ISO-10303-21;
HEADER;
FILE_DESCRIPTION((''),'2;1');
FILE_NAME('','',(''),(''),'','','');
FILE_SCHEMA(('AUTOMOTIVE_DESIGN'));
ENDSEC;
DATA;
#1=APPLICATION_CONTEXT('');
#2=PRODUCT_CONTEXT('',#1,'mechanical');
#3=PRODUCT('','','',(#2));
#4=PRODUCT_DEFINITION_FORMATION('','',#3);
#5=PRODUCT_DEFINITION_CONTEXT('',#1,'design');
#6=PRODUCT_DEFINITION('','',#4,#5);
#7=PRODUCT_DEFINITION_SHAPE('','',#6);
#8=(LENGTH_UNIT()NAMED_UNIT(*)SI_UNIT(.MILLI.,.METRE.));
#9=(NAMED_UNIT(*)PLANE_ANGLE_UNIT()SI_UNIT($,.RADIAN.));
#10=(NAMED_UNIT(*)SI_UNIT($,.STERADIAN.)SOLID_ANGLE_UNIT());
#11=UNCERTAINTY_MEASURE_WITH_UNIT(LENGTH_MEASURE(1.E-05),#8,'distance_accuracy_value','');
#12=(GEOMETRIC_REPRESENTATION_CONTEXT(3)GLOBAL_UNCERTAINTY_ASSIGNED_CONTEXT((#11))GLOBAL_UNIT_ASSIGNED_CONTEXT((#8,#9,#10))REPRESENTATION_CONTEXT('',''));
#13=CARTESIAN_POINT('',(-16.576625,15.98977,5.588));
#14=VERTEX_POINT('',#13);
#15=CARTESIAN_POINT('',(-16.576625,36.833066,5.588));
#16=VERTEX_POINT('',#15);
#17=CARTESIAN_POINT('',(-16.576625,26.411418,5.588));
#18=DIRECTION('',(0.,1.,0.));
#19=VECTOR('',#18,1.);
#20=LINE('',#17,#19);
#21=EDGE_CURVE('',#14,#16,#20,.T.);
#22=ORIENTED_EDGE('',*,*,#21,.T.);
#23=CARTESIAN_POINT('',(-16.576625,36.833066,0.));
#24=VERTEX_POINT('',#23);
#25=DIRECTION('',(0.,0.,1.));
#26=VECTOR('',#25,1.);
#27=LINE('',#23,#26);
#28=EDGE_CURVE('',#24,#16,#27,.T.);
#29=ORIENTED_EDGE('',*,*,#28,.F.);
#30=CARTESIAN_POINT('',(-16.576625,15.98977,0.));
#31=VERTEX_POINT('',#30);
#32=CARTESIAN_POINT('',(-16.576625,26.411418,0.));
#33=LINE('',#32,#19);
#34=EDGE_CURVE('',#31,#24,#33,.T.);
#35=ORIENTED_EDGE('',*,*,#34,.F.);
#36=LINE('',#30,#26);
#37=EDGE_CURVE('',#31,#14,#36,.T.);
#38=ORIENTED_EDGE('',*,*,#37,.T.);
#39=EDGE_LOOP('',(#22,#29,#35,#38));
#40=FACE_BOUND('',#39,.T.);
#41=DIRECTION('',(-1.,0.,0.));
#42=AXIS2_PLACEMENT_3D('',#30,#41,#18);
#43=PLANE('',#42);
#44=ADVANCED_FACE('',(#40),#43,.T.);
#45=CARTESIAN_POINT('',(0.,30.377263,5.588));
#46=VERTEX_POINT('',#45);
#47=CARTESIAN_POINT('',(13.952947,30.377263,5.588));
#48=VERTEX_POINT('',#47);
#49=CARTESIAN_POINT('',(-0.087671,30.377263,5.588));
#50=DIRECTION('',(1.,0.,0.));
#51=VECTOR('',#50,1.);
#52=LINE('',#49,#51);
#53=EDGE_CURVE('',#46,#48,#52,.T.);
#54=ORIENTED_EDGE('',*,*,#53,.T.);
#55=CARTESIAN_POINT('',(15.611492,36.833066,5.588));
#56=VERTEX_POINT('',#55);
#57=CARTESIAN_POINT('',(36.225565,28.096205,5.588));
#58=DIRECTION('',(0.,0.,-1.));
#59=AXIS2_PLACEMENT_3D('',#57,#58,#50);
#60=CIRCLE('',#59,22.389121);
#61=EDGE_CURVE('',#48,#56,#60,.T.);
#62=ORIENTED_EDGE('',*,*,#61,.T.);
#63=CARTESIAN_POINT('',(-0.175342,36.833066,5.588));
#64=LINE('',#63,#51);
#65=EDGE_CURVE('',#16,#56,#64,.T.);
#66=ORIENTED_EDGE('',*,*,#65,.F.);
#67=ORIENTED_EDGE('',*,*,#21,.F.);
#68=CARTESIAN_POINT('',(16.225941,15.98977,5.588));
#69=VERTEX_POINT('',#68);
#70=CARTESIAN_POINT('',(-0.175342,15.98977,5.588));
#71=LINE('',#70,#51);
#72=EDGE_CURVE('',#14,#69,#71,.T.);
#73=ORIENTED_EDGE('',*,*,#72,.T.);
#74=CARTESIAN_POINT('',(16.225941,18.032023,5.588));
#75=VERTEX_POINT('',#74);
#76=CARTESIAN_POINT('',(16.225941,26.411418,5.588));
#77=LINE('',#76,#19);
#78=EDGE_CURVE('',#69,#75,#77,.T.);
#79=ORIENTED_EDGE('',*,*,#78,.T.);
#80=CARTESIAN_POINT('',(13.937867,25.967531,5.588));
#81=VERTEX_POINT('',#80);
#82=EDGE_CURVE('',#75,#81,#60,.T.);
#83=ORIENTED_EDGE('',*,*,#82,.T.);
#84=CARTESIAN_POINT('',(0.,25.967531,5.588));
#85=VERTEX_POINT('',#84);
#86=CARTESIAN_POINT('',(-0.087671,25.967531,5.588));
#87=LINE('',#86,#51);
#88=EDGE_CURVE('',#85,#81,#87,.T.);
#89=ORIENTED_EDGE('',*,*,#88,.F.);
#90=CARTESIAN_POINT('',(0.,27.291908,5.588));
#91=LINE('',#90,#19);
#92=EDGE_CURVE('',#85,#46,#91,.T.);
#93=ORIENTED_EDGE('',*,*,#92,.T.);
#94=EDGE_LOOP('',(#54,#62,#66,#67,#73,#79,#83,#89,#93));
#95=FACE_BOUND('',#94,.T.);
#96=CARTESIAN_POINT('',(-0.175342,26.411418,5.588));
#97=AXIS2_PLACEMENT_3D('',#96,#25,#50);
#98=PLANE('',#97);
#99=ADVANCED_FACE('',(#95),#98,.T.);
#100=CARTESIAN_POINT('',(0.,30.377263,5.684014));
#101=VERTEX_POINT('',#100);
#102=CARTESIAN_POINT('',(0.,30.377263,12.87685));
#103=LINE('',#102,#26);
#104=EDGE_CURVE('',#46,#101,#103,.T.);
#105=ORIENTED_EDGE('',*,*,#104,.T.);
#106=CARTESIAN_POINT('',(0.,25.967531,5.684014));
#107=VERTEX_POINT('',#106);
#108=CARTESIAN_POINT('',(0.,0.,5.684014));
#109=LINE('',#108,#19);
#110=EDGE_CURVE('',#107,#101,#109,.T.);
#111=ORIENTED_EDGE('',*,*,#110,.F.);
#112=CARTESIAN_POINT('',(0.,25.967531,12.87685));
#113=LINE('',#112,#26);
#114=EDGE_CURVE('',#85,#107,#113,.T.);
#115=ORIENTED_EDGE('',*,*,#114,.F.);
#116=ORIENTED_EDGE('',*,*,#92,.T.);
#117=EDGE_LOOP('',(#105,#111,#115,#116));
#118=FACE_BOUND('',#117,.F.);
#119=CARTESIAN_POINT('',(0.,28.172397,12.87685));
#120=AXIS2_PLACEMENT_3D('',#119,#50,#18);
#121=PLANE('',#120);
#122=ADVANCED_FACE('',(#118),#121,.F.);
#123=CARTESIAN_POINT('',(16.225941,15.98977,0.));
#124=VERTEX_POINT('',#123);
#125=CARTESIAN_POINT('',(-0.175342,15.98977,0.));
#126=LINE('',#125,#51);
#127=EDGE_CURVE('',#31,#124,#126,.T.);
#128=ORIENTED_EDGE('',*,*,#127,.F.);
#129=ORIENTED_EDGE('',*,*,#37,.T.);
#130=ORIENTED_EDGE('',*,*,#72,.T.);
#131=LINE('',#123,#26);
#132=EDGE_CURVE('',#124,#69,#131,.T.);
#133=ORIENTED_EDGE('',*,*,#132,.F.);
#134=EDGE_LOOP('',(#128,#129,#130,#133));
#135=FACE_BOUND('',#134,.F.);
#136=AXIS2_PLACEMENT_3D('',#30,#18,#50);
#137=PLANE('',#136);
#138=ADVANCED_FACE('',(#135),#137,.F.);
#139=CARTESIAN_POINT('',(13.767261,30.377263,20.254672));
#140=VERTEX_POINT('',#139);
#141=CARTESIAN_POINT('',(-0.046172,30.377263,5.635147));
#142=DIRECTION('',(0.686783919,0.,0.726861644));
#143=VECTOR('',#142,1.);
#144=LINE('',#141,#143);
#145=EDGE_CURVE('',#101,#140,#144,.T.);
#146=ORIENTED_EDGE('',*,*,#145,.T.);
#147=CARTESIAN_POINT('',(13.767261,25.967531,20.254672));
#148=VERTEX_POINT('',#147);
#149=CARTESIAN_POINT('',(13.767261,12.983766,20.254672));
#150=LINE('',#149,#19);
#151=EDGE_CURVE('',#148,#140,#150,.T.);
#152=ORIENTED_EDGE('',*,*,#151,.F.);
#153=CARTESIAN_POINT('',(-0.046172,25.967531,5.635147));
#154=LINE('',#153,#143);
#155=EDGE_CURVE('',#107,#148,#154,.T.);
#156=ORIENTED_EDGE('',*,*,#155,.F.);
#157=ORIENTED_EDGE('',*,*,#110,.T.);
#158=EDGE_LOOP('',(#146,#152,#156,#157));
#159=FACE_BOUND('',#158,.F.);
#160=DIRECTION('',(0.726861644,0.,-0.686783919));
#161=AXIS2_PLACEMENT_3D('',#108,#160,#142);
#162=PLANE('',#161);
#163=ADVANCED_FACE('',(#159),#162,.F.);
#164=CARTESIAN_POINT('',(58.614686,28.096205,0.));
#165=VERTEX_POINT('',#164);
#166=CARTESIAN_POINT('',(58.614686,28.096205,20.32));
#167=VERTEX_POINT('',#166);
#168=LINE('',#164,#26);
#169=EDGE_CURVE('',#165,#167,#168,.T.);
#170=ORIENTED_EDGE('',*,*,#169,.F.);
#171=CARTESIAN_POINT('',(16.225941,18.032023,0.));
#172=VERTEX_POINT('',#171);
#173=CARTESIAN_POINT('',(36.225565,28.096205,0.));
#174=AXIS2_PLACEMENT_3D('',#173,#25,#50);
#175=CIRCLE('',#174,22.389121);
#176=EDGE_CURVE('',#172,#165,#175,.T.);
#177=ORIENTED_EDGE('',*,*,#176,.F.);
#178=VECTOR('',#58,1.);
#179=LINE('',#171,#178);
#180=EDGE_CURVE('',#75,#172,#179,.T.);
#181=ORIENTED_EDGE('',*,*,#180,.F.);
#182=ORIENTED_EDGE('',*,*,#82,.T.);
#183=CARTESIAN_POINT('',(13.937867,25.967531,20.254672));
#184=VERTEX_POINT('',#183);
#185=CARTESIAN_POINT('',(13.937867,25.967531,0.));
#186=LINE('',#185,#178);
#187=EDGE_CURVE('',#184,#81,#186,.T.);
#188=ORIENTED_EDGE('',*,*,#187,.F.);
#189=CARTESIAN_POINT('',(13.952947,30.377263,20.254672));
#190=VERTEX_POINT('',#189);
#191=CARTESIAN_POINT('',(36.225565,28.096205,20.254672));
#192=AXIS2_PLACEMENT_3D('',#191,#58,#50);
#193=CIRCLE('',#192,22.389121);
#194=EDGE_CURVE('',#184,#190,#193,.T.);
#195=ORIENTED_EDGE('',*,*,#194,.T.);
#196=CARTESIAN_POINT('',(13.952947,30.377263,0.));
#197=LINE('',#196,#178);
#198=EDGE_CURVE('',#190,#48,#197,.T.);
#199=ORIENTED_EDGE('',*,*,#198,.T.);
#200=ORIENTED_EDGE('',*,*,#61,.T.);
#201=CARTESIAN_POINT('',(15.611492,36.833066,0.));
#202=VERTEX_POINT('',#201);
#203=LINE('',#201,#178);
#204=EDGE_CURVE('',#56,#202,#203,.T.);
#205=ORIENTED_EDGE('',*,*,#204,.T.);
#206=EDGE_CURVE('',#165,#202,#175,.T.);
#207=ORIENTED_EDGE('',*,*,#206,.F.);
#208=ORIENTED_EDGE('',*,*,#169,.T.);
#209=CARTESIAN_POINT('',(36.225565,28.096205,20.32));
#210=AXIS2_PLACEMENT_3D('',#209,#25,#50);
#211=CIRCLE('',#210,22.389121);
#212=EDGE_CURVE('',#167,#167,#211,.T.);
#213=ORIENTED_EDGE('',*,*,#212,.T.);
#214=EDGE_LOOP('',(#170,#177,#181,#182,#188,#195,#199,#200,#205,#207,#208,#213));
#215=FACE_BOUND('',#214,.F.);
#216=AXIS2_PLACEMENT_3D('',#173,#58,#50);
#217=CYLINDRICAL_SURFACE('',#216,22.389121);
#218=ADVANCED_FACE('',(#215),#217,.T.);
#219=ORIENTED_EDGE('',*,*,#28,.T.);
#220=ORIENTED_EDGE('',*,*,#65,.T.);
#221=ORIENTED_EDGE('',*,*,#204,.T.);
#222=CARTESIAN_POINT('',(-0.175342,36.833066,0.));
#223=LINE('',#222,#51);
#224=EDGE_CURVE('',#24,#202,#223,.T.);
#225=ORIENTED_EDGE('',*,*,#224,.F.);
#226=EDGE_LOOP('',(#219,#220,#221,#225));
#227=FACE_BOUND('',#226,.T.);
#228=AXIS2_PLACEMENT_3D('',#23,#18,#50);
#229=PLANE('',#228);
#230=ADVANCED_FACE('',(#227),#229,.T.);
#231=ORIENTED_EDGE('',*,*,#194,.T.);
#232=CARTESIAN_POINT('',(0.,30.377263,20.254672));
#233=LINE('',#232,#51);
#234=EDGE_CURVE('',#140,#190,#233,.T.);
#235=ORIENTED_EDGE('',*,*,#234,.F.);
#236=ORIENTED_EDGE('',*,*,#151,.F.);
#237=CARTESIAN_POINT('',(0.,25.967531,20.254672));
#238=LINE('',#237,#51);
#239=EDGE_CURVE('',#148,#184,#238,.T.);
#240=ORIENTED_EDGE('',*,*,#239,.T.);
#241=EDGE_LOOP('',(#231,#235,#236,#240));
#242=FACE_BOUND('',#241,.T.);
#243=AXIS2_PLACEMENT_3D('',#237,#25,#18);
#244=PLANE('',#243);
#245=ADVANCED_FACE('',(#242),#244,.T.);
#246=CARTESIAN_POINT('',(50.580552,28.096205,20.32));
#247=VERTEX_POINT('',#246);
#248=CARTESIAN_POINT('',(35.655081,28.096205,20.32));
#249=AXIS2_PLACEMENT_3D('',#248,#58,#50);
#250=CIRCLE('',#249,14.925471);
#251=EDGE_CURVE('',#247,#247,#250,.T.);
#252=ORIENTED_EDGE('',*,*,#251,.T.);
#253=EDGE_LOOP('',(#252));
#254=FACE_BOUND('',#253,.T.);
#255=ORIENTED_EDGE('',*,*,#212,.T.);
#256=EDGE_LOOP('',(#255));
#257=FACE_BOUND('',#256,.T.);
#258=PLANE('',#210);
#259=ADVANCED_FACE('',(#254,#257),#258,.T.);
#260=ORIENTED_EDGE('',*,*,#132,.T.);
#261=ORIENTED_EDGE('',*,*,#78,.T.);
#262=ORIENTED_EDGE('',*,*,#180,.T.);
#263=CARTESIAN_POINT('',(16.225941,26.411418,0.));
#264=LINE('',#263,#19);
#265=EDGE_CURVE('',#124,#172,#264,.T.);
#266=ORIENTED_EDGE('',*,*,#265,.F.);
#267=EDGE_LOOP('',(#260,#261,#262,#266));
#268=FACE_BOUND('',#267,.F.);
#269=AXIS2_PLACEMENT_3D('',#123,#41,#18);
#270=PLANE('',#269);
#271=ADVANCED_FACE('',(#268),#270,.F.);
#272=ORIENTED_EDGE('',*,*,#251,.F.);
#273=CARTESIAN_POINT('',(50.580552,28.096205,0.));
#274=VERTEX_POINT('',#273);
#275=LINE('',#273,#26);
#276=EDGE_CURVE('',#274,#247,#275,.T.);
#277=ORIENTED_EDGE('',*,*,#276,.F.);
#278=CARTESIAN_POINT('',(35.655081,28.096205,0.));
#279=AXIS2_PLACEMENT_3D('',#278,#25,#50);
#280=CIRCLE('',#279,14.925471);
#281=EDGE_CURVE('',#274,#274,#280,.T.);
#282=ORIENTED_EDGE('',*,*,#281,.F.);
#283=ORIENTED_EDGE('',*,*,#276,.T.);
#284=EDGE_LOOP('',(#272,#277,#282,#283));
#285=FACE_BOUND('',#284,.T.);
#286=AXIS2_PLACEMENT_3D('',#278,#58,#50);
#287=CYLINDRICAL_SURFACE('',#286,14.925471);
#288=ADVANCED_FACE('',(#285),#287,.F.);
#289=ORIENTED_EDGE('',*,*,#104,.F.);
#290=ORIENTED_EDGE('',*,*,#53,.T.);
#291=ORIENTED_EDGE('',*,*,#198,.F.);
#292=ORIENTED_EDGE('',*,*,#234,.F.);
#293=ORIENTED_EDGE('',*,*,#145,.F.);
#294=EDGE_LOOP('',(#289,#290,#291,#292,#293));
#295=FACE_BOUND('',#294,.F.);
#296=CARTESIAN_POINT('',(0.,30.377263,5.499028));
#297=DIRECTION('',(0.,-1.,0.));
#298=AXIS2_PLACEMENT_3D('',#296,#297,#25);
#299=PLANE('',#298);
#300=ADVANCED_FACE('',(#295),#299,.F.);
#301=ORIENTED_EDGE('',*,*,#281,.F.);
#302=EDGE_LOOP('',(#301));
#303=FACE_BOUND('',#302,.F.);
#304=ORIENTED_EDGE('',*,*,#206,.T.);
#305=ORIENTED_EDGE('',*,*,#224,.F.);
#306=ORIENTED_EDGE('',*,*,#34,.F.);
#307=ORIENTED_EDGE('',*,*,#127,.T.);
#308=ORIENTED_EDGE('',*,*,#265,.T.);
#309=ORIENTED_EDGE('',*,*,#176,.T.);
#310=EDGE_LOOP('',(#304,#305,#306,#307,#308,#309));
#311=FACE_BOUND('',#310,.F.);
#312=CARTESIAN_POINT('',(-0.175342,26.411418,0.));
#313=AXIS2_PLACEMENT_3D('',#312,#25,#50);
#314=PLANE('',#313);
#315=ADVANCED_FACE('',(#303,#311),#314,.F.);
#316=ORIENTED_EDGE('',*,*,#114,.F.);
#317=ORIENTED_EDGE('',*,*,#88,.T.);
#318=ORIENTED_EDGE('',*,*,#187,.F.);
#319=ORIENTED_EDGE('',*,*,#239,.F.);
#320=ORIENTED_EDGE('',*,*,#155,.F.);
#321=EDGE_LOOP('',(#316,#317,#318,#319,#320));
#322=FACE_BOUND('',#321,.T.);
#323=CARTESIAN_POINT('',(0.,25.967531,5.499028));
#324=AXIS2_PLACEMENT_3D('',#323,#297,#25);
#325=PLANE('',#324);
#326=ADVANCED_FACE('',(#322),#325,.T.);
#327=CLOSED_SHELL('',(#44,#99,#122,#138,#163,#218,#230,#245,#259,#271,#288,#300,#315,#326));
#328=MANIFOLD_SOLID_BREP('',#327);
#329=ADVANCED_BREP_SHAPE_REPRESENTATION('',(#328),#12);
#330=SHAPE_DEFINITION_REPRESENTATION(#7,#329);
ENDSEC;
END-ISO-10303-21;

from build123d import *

# Parameters (mm, degrees)
F0_R     = 22.389121
F1_DEPTH = 20.32
F2_R     = 14.925471
F3_DEPTH = 20.321
F4_W     = 32.802565
F4_H     = 20.843296
F5_DEPTH = 5.588
F6_W     = 4.409732
F6_H     = 14.755644
F7_DEPTH = 16.764
F9_DEPTH = 50.486326


with BuildPart() as f1:
    # F0 (on Top) → F1 (new body)
    with BuildSketch(Plane.XY):
        with Locations((36.225565, 28.096205)):
            Circle(F0_R)
    extrude(amount=F1_DEPTH)

    # F2 (on Top) → F3 (cut, through all)
    with BuildSketch(Plane.XY):
        with Locations((35.655081, 28.096205)):
            Circle(F2_R)
    extrude(amount=F3_DEPTH, mode=Mode.SUBTRACT)

    # F4 (on Top) → F5 (join)
    with BuildSketch(Plane.XY):
        with Locations((-0.175342, 26.411418)):
            Rectangle(F4_W, F4_H)
    extrude(amount=F5_DEPTH)

    # F6 (on Right) → F7 (join)
    with BuildSketch(Plane.YZ):
        with Locations((28.172397, 12.87685)):
            Rectangle(F6_W, F6_H)
    extrude(amount=F7_DEPTH)

    # F8 (on Front) → F9 (cut, through all)
    with BuildSketch(Plane.XZ):
        Polygon((0, 5.684014), (13.850843, 20.343132), (0, 20.852523), align=None)
    extrude(amount=-F9_DEPTH, mode=Mode.SUBTRACT)


solid = f1.part
